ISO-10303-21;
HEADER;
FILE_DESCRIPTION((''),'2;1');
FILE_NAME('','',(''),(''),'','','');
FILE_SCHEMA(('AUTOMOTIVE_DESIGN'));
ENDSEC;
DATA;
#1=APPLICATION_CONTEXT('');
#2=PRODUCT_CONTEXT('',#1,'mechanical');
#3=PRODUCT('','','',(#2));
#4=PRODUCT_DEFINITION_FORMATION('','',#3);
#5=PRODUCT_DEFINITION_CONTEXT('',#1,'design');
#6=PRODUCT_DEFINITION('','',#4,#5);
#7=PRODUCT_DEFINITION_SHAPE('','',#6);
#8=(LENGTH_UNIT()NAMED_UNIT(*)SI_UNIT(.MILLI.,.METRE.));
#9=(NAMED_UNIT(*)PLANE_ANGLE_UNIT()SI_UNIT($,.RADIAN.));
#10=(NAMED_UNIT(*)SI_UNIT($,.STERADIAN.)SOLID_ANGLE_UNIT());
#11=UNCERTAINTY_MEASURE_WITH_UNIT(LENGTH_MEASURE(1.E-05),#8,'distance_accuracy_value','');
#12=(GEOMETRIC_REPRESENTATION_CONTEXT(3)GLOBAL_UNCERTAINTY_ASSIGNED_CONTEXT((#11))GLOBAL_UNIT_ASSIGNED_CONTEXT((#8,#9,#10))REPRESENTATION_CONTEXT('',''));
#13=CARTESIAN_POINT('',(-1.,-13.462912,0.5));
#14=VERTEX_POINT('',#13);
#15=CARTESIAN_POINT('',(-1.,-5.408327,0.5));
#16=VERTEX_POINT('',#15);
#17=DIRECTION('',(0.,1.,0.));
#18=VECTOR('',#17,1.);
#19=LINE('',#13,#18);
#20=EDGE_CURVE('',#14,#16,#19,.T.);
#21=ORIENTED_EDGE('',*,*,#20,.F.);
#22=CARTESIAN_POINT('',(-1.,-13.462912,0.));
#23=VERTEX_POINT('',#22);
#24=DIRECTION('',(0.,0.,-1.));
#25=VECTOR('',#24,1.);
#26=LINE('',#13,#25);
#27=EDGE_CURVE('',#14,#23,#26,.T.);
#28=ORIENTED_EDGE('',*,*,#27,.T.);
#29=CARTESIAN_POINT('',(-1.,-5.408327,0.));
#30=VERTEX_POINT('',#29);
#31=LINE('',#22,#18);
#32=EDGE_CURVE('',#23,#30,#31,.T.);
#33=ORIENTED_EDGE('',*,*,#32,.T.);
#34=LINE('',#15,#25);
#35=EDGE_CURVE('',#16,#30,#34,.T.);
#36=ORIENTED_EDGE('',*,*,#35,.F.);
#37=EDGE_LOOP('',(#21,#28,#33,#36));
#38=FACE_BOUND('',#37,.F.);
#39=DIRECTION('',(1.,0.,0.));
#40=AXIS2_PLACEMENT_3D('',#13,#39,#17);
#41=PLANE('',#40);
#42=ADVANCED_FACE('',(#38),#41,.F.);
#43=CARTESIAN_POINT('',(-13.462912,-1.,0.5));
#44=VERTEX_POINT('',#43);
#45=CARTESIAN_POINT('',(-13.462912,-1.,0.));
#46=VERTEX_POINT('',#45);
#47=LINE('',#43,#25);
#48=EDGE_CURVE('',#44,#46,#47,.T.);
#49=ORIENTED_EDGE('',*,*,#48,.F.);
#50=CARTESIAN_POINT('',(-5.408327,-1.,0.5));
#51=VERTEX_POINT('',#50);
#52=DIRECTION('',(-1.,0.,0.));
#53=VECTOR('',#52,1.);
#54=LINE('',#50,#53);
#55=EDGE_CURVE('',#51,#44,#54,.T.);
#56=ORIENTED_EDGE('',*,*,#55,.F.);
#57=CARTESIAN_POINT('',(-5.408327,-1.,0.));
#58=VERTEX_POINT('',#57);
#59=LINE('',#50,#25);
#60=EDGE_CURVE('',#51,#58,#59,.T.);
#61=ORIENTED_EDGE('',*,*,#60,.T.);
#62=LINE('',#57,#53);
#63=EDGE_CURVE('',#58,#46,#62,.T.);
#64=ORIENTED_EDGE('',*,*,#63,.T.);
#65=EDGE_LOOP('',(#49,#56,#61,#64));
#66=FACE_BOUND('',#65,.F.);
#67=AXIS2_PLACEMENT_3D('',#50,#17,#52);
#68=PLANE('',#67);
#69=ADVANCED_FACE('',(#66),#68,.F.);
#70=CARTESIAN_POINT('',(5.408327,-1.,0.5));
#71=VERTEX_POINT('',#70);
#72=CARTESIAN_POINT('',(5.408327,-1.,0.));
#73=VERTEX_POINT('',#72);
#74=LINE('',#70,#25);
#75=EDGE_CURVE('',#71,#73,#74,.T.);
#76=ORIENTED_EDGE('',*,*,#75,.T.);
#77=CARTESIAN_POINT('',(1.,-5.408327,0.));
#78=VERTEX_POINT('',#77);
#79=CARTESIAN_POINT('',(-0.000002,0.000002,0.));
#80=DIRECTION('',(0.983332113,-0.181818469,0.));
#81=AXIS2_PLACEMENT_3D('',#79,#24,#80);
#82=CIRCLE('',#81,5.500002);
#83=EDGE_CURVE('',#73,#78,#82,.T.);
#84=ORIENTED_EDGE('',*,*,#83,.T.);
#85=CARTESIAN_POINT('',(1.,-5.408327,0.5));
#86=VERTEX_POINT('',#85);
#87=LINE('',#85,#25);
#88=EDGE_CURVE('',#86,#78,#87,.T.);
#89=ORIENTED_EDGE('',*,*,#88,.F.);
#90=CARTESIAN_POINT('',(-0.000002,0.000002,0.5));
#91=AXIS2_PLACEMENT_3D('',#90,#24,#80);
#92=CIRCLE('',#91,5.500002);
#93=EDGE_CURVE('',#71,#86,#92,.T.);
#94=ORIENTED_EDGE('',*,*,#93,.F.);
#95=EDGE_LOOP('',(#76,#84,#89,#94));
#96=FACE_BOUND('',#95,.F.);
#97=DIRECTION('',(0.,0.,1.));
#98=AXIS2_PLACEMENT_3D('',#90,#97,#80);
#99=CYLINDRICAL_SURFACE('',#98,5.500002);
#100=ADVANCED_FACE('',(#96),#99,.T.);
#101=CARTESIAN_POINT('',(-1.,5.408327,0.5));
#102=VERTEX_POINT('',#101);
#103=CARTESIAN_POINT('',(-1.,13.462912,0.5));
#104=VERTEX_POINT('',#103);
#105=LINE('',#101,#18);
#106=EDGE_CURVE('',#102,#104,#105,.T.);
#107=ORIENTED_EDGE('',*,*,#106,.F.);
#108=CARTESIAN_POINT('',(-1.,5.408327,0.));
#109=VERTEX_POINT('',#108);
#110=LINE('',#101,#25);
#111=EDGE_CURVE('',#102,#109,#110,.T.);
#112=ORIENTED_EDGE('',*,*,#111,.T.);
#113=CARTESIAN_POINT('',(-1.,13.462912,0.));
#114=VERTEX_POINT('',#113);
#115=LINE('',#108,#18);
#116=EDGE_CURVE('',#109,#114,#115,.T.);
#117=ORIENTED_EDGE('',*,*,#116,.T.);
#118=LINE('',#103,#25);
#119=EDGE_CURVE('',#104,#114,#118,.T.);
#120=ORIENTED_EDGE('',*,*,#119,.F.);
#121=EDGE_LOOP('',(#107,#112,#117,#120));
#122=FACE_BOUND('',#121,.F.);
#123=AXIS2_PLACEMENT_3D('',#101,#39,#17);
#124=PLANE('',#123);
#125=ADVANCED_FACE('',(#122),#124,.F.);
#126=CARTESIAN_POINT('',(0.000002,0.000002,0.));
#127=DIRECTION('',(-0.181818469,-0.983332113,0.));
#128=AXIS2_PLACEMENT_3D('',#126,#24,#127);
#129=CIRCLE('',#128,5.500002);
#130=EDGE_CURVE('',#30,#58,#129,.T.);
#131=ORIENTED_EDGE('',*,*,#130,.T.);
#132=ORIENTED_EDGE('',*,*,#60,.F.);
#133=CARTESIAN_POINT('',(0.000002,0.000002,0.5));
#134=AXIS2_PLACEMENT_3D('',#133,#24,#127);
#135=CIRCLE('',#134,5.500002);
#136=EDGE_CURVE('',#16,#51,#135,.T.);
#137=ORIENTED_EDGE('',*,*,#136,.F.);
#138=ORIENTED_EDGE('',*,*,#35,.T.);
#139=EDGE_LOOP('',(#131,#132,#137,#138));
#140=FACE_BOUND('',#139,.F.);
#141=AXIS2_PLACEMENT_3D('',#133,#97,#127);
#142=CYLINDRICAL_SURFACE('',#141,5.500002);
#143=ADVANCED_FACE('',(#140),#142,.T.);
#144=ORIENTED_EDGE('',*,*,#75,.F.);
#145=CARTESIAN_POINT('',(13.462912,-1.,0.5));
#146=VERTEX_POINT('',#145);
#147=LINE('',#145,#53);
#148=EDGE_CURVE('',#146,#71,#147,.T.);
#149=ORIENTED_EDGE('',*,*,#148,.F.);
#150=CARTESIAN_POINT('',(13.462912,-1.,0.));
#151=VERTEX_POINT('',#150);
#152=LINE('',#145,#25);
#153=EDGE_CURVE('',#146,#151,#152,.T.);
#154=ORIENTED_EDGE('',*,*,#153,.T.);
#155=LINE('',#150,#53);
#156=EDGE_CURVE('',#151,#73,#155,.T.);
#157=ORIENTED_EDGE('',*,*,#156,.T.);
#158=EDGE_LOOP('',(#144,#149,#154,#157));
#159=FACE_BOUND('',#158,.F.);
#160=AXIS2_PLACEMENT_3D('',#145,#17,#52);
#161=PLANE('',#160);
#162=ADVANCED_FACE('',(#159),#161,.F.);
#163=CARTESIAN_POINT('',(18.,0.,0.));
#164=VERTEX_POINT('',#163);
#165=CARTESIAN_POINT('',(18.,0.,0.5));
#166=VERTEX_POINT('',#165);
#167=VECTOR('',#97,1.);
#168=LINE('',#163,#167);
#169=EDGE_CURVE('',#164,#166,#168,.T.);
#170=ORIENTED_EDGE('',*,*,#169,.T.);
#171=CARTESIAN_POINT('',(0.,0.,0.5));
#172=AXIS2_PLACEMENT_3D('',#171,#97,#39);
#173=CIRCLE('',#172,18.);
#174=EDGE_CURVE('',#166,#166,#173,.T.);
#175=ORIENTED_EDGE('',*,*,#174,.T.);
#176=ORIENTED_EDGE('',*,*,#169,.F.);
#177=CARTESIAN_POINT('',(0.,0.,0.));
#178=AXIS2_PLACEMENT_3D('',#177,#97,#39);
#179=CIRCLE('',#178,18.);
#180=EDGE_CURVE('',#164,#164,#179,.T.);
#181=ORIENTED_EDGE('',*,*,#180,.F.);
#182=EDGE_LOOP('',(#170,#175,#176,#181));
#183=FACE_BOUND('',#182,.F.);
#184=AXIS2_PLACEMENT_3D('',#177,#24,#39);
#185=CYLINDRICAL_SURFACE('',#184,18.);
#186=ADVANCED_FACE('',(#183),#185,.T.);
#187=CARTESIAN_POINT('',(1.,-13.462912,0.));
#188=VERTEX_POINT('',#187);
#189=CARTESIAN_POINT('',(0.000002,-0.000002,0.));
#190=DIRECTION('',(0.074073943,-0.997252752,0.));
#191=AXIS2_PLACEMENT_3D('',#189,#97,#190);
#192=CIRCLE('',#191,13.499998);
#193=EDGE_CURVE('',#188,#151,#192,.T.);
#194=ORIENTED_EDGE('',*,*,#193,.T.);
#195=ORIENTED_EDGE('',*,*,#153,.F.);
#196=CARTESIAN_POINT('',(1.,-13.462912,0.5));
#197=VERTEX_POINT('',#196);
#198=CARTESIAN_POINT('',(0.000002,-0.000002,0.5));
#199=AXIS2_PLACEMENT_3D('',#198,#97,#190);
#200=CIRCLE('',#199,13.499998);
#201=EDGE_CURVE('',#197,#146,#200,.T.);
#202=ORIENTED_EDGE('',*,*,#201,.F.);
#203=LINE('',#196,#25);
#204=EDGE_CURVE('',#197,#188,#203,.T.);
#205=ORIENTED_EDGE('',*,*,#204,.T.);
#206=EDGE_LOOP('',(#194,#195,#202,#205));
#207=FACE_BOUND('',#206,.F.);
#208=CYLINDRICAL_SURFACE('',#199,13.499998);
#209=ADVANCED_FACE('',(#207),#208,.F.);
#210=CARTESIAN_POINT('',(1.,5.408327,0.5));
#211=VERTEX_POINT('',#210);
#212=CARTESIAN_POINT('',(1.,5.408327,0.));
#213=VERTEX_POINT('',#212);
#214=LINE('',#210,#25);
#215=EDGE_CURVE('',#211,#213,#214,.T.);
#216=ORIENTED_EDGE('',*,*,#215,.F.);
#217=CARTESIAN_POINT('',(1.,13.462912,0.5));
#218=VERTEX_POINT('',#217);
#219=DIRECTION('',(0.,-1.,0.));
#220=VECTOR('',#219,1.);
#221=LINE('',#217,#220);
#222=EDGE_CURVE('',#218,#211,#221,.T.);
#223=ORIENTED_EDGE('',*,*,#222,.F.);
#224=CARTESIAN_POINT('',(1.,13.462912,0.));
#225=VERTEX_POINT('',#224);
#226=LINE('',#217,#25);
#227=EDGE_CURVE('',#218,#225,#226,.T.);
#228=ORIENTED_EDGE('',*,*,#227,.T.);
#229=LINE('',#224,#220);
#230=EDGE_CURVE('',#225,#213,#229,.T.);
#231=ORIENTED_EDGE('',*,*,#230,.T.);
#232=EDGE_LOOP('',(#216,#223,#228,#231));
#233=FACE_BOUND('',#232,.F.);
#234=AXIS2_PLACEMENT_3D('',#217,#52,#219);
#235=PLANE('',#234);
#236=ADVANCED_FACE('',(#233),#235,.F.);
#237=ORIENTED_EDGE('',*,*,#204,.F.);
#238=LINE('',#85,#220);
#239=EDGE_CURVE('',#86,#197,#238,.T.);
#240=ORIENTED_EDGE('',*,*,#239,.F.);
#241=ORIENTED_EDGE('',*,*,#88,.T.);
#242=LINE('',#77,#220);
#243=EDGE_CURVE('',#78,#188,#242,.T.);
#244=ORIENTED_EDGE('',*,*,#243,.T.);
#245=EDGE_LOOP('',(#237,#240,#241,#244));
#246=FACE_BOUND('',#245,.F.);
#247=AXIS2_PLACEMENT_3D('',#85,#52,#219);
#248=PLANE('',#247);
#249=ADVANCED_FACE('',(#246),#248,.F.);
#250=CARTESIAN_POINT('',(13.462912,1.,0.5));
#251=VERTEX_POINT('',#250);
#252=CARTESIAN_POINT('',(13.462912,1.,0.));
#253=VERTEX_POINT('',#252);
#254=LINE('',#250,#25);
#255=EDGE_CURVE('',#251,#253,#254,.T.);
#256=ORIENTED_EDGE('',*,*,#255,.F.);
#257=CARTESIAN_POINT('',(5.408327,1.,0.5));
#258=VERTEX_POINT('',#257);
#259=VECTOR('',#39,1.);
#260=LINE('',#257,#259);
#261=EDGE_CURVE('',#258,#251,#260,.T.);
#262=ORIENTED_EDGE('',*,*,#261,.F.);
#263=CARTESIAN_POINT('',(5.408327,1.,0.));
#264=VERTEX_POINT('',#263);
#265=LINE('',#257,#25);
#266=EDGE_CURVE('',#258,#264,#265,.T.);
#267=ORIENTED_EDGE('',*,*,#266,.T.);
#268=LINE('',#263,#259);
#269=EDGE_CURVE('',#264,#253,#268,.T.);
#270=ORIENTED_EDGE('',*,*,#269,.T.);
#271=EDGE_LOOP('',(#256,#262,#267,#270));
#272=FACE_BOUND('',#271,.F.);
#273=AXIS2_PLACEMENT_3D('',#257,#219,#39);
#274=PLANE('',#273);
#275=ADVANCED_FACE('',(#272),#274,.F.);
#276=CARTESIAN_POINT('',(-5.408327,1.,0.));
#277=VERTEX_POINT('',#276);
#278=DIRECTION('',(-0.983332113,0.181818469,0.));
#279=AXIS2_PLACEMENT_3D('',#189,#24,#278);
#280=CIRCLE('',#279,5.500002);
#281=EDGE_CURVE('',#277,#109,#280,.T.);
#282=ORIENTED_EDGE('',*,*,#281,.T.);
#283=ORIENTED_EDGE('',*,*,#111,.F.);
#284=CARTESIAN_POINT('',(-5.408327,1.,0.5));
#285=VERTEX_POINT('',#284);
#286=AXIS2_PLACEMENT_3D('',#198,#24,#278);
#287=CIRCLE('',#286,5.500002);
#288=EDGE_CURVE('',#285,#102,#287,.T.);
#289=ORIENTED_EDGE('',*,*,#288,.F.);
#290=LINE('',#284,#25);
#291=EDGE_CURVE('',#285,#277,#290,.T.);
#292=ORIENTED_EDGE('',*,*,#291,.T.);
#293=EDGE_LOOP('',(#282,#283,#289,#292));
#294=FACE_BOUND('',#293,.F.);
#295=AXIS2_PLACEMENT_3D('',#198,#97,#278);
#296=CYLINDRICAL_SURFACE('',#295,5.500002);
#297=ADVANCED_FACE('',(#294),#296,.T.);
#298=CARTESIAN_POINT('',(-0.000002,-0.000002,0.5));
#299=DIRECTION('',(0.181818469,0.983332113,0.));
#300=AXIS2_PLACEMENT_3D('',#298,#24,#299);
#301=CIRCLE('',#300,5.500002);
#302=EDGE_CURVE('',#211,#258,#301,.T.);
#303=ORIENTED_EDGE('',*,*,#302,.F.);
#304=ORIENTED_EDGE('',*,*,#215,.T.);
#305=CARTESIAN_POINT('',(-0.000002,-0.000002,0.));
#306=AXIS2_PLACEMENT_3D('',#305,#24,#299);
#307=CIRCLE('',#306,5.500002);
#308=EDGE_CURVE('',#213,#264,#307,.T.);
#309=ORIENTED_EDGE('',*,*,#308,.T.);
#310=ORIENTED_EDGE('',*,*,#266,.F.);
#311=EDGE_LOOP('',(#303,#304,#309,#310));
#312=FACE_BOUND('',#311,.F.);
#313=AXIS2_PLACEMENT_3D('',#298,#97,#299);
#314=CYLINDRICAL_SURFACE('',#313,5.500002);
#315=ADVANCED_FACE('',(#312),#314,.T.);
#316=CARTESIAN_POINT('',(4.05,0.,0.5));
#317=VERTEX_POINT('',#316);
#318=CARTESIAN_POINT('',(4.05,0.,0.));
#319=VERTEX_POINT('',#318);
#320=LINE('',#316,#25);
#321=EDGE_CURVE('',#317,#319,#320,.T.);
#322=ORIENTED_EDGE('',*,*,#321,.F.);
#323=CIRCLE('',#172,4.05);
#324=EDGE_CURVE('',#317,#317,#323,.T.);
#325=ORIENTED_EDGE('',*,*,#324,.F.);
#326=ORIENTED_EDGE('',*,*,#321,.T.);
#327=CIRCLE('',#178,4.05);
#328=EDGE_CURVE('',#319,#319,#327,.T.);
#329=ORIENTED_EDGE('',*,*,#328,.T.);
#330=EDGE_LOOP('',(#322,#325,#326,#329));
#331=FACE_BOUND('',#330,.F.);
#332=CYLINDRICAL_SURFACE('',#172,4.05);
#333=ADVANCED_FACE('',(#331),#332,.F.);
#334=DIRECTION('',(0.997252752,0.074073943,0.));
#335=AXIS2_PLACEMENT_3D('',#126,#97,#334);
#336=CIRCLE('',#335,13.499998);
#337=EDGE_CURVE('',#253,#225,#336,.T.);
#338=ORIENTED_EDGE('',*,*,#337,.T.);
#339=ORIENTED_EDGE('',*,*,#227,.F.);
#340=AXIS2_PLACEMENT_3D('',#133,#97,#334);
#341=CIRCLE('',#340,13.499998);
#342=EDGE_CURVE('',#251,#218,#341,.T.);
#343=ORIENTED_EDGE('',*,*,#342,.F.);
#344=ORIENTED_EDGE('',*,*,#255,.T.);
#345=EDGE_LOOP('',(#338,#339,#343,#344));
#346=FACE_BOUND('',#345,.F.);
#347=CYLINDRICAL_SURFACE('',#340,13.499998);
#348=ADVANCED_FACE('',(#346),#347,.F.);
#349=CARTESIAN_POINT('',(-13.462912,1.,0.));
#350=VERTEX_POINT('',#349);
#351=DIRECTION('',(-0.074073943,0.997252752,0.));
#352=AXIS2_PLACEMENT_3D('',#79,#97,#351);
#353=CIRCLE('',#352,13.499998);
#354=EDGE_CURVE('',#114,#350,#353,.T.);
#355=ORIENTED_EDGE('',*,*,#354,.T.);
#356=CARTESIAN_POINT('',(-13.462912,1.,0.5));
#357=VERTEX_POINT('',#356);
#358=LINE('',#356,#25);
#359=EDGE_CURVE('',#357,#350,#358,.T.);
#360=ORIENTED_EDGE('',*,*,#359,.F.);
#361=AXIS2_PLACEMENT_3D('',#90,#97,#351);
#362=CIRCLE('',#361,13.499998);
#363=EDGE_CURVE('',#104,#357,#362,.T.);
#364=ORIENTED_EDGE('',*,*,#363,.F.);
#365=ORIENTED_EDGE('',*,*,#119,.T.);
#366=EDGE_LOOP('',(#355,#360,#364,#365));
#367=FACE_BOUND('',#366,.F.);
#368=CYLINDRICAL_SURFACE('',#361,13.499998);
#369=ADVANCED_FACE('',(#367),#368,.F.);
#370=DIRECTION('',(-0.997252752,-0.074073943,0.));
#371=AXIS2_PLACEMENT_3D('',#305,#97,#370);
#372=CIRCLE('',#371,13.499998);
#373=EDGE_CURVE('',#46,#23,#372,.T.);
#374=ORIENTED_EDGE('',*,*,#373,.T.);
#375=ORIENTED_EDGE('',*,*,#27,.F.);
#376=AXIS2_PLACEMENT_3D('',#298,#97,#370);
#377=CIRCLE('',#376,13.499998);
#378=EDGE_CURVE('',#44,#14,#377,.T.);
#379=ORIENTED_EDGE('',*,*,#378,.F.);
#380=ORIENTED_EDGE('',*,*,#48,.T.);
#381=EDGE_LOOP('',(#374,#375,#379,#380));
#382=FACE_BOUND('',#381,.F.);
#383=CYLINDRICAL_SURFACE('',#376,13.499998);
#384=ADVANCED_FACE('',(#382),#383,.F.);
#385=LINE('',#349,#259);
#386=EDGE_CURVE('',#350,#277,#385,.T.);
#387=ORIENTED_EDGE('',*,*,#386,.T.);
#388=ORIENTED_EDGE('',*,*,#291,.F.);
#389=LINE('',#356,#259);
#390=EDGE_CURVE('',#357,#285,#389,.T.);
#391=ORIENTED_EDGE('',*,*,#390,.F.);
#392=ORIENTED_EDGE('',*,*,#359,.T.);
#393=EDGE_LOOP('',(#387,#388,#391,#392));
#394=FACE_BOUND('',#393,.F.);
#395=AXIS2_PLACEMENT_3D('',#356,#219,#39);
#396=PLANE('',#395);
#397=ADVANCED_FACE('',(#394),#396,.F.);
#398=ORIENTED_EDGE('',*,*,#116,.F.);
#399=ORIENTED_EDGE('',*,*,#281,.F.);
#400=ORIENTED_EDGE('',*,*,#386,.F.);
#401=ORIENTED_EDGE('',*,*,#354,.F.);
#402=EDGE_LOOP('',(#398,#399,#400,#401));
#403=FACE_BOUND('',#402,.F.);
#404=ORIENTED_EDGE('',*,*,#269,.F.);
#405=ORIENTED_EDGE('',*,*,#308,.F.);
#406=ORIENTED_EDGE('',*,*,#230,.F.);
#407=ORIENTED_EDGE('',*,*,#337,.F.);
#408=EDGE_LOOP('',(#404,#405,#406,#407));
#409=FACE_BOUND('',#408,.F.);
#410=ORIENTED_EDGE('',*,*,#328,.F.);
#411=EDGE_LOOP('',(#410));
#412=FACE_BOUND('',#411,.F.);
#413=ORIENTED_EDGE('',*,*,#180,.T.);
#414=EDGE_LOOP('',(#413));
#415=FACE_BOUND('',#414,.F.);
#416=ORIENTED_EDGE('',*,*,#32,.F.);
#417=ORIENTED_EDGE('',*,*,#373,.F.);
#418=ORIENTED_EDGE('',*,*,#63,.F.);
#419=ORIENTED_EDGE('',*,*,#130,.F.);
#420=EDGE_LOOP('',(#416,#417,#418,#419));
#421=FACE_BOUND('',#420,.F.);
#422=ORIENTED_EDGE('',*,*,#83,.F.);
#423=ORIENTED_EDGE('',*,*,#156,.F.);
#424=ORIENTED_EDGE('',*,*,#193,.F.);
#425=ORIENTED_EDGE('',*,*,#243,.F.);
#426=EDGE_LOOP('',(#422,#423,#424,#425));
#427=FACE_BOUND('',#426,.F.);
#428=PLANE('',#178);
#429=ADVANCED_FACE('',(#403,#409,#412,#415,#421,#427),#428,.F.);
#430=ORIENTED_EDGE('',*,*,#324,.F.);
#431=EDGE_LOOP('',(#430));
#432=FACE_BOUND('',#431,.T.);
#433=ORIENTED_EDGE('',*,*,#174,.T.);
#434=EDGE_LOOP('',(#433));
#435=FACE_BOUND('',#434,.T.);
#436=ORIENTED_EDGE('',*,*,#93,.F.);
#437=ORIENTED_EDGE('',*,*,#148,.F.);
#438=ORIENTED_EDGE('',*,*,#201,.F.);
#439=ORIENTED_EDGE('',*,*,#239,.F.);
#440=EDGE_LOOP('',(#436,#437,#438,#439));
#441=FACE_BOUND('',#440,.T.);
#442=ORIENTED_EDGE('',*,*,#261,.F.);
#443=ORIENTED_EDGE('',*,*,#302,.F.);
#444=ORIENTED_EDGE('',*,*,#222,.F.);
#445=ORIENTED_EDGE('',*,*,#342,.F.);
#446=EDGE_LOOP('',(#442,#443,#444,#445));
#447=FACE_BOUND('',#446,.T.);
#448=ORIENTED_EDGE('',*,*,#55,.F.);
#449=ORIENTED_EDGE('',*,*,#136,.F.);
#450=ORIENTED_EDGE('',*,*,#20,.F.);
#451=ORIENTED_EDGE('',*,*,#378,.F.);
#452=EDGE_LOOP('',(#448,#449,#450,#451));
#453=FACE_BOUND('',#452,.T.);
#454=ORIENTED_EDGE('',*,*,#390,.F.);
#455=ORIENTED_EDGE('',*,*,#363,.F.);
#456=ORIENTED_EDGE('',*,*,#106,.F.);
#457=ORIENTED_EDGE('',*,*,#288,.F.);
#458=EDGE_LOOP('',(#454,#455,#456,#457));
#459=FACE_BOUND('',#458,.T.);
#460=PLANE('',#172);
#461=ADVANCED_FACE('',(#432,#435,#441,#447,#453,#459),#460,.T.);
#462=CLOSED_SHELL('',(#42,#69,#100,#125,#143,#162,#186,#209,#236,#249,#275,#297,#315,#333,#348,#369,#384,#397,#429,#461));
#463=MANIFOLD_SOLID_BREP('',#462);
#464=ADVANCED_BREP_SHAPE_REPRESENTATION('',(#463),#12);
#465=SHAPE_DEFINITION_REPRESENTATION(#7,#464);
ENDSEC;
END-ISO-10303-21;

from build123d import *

# Parameters (mm, degrees)
F0_R     = 18
F1_DEPTH = 0.5
F2_R     = 4.05
F3_DEPTH = 0.5
F5_DEPTH = 0.5


with BuildPart() as f1:
    # F0 (on Top) → F1 (new body)
    with BuildSketch(Plane.XY):
        Circle(F0_R)
    extrude(amount=F1_DEPTH)

    # F2 (on face) → F3 (cut, through all)
    with BuildSketch(Plane.XY.offset(0.5)):
        Circle(F2_R)
    extrude(amount=-F3_DEPTH, mode=Mode.SUBTRACT)

    # F4 (on face) → F5 (cut, through all)
    with BuildSketch(Plane.XY.offset(0.5)):
        with BuildLine():
            Line((-1, -13.462912), (-1, -5.408327))
            ThreePointArc((-1, -5.408327), (-3.889087, -3.889087), (-5.408327, -1))
            Line((-5.408327, -1), (-13.462912, -1))
            ThreePointArc((-13.462912, -1), (-9.545942, -9.545942), (-1, -13.462912))
        make_face()
        with BuildLine():
            Line((13.462912, -1), (5.408327, -1))
            ThreePointArc((5.408327, -1), (3.889087, -3.889087), (1, -5.408327))
            Line((1, -5.408327), (1, -13.462912))
            ThreePointArc((1, -13.462912), (9.545942, -9.545942), (13.462912, -1))
        make_face()
        with BuildLine():
            ThreePointArc((1, 5.408327), (3.889087, 3.889087), (5.408327, 1))
            Line((5.408327, 1), (13.462912, 1))
            ThreePointArc((13.462912, 1), (9.545942, 9.545942), (1, 13.462912))
            Line((1, 13.462912), (1, 5.408327))
        make_face()
        with BuildLine():
            ThreePointArc((-5.408327, 1), (-3.889087, 3.889087), (-1, 5.408327))
            Line((-1, 5.408327), (-1, 13.462912))
            ThreePointArc((-1, 13.462912), (-9.545942, 9.545942), (-13.462912, 1))
            Line((-13.462912, 1), (-5.408327, 1))
        make_face()
    extrude(amount=-F5_DEPTH, mode=Mode.SUBTRACT)


solid = f1.part
